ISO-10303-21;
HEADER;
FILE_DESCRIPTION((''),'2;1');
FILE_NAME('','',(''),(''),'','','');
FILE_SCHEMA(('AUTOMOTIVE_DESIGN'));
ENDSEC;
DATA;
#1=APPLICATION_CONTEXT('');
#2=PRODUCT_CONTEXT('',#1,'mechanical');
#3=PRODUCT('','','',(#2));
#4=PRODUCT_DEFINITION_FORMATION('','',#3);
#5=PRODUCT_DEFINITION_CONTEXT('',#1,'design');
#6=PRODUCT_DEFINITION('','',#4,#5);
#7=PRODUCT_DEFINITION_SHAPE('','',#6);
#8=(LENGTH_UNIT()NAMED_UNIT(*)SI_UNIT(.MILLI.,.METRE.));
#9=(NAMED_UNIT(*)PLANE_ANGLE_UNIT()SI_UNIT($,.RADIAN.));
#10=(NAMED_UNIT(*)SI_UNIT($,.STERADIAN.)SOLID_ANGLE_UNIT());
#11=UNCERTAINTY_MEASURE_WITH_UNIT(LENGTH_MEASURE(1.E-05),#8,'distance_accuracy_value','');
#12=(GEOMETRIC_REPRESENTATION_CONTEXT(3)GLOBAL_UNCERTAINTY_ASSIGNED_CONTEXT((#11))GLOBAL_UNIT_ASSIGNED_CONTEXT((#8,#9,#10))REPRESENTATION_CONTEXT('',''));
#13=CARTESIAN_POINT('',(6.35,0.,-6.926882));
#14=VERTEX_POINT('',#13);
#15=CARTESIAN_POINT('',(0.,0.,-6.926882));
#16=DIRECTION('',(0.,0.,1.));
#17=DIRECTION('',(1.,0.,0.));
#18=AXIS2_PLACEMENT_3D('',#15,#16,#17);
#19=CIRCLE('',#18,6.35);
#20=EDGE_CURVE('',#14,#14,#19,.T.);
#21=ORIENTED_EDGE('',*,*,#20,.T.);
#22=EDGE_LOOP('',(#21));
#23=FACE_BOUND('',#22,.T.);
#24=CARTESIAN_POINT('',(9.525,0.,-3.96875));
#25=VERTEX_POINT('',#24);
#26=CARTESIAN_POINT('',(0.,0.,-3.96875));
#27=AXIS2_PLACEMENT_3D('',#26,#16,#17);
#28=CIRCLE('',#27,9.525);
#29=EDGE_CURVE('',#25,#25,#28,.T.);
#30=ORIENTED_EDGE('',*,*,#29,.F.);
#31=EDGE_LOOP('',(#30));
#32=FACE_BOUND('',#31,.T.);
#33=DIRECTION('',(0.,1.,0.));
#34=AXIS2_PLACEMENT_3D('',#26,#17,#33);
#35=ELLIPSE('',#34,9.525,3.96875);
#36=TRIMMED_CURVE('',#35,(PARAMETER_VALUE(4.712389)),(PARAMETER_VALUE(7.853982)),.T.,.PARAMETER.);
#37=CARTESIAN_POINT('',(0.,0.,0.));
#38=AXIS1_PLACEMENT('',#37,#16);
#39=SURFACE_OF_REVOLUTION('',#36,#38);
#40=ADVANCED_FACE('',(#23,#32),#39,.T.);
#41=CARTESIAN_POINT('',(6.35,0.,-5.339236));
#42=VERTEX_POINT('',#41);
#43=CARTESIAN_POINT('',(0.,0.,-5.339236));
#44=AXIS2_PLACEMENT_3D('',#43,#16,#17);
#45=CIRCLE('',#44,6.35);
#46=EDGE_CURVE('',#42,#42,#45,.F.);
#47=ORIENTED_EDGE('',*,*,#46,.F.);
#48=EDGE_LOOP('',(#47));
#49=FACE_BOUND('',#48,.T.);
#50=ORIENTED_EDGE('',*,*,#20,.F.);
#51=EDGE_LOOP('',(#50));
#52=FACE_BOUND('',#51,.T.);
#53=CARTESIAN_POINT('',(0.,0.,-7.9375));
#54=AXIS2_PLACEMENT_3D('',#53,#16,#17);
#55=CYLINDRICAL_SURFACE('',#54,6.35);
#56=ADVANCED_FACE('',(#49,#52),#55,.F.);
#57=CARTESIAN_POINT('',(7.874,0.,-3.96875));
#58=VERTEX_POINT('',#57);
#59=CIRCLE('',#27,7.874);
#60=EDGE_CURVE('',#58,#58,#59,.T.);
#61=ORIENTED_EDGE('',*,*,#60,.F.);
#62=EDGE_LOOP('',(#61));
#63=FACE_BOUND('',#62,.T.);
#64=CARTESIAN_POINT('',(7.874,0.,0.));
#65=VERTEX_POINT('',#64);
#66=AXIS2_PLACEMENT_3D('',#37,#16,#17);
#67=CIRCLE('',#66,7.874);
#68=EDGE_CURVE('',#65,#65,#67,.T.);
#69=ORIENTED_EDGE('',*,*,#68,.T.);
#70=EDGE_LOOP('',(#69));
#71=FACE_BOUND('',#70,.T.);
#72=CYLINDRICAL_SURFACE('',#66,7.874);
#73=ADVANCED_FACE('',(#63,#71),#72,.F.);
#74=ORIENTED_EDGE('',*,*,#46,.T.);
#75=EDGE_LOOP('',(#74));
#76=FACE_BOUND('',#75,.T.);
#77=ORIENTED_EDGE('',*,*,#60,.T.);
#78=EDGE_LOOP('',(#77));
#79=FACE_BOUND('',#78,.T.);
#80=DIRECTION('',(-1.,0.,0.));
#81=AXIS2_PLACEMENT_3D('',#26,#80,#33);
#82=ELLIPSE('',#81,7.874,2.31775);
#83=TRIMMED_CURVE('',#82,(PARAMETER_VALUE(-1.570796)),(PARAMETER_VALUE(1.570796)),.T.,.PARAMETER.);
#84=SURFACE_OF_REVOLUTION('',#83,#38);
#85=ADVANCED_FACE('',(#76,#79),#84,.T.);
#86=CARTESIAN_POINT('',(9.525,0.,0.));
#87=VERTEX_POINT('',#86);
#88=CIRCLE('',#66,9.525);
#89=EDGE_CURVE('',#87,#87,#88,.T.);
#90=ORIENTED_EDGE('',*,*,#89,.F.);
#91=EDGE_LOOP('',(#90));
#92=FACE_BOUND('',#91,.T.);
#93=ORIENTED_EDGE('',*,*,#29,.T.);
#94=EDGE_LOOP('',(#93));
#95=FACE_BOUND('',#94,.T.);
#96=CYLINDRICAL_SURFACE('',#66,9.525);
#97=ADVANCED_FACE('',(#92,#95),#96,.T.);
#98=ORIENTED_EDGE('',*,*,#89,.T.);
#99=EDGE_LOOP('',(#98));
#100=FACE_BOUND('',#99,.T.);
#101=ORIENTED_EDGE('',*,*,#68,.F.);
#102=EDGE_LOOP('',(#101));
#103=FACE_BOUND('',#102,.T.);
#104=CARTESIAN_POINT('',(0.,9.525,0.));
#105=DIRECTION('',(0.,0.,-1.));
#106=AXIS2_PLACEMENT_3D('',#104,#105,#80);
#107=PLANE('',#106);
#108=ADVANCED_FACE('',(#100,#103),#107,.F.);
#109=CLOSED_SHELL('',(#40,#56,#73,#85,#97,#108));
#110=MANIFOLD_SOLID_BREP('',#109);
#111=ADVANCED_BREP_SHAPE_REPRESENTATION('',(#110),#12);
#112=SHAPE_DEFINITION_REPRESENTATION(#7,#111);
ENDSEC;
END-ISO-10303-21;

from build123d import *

# Parameters (mm, degrees)
CUT_EXTRUDE1_DEPTH      = 16.635061933
CUT_EXTRUDE1_DEPTH_BACK = 16.635061933
SKETCH3_R               = 6.35


with BuildPart() as part:
    # Sketch2 → Revolve1 (revolve)
    with BuildSketch(Plane(origin=(0, 0, 0), x_dir=(0, 0, -1), z_dir=(1, 0, 0)), mode=Mode.PRIVATE) as revolve1_sk:
        with BuildLine():
            Line((0, 9.525), (3.96875, 9.525))
            add(Edge.make_bspline(
                [(7.9375, 0), (7.9375, 9.525), (3.96875, 9.525)],
                knots=[4.71238898, 4.71238898, 4.71238898, 6.283185307, 6.283185307, 6.283185307], degree=2, weights=[1, 0.707106781, 1]))
            Line((7.9375, 0), (6.2865, 0))
            add(Edge.make_bspline(
                [(6.2865, 0), (6.2865, 7.874), (3.96875, 7.874)],
                knots=[4.71238898, 4.71238898, 4.71238898, 6.283185307, 6.283185307, 6.283185307], degree=2, weights=[1, 0.707106781, 1]))
            Line((3.96875, 7.874), (0, 7.874))
            Line((0, 7.874), (0, 9.525))
        make_face()
    revolve(revolve1_sk.sketch.rotate(Axis((0, 0, 0), (0, 0, -1)), 90), axis=Axis((0, 0, 0), (0, 0, -1)))

    # Sketch3 → Cut-Extrude1 (cut, two sides: drawn at the far end of the back side and taken through both)
    with BuildSketch(Plane.XY.offset(-CUT_EXTRUDE1_DEPTH_BACK)):
        Circle(SKETCH3_R)
    extrude(amount=CUT_EXTRUDE1_DEPTH + CUT_EXTRUDE1_DEPTH_BACK, mode=Mode.SUBTRACT)


solid = part.part
